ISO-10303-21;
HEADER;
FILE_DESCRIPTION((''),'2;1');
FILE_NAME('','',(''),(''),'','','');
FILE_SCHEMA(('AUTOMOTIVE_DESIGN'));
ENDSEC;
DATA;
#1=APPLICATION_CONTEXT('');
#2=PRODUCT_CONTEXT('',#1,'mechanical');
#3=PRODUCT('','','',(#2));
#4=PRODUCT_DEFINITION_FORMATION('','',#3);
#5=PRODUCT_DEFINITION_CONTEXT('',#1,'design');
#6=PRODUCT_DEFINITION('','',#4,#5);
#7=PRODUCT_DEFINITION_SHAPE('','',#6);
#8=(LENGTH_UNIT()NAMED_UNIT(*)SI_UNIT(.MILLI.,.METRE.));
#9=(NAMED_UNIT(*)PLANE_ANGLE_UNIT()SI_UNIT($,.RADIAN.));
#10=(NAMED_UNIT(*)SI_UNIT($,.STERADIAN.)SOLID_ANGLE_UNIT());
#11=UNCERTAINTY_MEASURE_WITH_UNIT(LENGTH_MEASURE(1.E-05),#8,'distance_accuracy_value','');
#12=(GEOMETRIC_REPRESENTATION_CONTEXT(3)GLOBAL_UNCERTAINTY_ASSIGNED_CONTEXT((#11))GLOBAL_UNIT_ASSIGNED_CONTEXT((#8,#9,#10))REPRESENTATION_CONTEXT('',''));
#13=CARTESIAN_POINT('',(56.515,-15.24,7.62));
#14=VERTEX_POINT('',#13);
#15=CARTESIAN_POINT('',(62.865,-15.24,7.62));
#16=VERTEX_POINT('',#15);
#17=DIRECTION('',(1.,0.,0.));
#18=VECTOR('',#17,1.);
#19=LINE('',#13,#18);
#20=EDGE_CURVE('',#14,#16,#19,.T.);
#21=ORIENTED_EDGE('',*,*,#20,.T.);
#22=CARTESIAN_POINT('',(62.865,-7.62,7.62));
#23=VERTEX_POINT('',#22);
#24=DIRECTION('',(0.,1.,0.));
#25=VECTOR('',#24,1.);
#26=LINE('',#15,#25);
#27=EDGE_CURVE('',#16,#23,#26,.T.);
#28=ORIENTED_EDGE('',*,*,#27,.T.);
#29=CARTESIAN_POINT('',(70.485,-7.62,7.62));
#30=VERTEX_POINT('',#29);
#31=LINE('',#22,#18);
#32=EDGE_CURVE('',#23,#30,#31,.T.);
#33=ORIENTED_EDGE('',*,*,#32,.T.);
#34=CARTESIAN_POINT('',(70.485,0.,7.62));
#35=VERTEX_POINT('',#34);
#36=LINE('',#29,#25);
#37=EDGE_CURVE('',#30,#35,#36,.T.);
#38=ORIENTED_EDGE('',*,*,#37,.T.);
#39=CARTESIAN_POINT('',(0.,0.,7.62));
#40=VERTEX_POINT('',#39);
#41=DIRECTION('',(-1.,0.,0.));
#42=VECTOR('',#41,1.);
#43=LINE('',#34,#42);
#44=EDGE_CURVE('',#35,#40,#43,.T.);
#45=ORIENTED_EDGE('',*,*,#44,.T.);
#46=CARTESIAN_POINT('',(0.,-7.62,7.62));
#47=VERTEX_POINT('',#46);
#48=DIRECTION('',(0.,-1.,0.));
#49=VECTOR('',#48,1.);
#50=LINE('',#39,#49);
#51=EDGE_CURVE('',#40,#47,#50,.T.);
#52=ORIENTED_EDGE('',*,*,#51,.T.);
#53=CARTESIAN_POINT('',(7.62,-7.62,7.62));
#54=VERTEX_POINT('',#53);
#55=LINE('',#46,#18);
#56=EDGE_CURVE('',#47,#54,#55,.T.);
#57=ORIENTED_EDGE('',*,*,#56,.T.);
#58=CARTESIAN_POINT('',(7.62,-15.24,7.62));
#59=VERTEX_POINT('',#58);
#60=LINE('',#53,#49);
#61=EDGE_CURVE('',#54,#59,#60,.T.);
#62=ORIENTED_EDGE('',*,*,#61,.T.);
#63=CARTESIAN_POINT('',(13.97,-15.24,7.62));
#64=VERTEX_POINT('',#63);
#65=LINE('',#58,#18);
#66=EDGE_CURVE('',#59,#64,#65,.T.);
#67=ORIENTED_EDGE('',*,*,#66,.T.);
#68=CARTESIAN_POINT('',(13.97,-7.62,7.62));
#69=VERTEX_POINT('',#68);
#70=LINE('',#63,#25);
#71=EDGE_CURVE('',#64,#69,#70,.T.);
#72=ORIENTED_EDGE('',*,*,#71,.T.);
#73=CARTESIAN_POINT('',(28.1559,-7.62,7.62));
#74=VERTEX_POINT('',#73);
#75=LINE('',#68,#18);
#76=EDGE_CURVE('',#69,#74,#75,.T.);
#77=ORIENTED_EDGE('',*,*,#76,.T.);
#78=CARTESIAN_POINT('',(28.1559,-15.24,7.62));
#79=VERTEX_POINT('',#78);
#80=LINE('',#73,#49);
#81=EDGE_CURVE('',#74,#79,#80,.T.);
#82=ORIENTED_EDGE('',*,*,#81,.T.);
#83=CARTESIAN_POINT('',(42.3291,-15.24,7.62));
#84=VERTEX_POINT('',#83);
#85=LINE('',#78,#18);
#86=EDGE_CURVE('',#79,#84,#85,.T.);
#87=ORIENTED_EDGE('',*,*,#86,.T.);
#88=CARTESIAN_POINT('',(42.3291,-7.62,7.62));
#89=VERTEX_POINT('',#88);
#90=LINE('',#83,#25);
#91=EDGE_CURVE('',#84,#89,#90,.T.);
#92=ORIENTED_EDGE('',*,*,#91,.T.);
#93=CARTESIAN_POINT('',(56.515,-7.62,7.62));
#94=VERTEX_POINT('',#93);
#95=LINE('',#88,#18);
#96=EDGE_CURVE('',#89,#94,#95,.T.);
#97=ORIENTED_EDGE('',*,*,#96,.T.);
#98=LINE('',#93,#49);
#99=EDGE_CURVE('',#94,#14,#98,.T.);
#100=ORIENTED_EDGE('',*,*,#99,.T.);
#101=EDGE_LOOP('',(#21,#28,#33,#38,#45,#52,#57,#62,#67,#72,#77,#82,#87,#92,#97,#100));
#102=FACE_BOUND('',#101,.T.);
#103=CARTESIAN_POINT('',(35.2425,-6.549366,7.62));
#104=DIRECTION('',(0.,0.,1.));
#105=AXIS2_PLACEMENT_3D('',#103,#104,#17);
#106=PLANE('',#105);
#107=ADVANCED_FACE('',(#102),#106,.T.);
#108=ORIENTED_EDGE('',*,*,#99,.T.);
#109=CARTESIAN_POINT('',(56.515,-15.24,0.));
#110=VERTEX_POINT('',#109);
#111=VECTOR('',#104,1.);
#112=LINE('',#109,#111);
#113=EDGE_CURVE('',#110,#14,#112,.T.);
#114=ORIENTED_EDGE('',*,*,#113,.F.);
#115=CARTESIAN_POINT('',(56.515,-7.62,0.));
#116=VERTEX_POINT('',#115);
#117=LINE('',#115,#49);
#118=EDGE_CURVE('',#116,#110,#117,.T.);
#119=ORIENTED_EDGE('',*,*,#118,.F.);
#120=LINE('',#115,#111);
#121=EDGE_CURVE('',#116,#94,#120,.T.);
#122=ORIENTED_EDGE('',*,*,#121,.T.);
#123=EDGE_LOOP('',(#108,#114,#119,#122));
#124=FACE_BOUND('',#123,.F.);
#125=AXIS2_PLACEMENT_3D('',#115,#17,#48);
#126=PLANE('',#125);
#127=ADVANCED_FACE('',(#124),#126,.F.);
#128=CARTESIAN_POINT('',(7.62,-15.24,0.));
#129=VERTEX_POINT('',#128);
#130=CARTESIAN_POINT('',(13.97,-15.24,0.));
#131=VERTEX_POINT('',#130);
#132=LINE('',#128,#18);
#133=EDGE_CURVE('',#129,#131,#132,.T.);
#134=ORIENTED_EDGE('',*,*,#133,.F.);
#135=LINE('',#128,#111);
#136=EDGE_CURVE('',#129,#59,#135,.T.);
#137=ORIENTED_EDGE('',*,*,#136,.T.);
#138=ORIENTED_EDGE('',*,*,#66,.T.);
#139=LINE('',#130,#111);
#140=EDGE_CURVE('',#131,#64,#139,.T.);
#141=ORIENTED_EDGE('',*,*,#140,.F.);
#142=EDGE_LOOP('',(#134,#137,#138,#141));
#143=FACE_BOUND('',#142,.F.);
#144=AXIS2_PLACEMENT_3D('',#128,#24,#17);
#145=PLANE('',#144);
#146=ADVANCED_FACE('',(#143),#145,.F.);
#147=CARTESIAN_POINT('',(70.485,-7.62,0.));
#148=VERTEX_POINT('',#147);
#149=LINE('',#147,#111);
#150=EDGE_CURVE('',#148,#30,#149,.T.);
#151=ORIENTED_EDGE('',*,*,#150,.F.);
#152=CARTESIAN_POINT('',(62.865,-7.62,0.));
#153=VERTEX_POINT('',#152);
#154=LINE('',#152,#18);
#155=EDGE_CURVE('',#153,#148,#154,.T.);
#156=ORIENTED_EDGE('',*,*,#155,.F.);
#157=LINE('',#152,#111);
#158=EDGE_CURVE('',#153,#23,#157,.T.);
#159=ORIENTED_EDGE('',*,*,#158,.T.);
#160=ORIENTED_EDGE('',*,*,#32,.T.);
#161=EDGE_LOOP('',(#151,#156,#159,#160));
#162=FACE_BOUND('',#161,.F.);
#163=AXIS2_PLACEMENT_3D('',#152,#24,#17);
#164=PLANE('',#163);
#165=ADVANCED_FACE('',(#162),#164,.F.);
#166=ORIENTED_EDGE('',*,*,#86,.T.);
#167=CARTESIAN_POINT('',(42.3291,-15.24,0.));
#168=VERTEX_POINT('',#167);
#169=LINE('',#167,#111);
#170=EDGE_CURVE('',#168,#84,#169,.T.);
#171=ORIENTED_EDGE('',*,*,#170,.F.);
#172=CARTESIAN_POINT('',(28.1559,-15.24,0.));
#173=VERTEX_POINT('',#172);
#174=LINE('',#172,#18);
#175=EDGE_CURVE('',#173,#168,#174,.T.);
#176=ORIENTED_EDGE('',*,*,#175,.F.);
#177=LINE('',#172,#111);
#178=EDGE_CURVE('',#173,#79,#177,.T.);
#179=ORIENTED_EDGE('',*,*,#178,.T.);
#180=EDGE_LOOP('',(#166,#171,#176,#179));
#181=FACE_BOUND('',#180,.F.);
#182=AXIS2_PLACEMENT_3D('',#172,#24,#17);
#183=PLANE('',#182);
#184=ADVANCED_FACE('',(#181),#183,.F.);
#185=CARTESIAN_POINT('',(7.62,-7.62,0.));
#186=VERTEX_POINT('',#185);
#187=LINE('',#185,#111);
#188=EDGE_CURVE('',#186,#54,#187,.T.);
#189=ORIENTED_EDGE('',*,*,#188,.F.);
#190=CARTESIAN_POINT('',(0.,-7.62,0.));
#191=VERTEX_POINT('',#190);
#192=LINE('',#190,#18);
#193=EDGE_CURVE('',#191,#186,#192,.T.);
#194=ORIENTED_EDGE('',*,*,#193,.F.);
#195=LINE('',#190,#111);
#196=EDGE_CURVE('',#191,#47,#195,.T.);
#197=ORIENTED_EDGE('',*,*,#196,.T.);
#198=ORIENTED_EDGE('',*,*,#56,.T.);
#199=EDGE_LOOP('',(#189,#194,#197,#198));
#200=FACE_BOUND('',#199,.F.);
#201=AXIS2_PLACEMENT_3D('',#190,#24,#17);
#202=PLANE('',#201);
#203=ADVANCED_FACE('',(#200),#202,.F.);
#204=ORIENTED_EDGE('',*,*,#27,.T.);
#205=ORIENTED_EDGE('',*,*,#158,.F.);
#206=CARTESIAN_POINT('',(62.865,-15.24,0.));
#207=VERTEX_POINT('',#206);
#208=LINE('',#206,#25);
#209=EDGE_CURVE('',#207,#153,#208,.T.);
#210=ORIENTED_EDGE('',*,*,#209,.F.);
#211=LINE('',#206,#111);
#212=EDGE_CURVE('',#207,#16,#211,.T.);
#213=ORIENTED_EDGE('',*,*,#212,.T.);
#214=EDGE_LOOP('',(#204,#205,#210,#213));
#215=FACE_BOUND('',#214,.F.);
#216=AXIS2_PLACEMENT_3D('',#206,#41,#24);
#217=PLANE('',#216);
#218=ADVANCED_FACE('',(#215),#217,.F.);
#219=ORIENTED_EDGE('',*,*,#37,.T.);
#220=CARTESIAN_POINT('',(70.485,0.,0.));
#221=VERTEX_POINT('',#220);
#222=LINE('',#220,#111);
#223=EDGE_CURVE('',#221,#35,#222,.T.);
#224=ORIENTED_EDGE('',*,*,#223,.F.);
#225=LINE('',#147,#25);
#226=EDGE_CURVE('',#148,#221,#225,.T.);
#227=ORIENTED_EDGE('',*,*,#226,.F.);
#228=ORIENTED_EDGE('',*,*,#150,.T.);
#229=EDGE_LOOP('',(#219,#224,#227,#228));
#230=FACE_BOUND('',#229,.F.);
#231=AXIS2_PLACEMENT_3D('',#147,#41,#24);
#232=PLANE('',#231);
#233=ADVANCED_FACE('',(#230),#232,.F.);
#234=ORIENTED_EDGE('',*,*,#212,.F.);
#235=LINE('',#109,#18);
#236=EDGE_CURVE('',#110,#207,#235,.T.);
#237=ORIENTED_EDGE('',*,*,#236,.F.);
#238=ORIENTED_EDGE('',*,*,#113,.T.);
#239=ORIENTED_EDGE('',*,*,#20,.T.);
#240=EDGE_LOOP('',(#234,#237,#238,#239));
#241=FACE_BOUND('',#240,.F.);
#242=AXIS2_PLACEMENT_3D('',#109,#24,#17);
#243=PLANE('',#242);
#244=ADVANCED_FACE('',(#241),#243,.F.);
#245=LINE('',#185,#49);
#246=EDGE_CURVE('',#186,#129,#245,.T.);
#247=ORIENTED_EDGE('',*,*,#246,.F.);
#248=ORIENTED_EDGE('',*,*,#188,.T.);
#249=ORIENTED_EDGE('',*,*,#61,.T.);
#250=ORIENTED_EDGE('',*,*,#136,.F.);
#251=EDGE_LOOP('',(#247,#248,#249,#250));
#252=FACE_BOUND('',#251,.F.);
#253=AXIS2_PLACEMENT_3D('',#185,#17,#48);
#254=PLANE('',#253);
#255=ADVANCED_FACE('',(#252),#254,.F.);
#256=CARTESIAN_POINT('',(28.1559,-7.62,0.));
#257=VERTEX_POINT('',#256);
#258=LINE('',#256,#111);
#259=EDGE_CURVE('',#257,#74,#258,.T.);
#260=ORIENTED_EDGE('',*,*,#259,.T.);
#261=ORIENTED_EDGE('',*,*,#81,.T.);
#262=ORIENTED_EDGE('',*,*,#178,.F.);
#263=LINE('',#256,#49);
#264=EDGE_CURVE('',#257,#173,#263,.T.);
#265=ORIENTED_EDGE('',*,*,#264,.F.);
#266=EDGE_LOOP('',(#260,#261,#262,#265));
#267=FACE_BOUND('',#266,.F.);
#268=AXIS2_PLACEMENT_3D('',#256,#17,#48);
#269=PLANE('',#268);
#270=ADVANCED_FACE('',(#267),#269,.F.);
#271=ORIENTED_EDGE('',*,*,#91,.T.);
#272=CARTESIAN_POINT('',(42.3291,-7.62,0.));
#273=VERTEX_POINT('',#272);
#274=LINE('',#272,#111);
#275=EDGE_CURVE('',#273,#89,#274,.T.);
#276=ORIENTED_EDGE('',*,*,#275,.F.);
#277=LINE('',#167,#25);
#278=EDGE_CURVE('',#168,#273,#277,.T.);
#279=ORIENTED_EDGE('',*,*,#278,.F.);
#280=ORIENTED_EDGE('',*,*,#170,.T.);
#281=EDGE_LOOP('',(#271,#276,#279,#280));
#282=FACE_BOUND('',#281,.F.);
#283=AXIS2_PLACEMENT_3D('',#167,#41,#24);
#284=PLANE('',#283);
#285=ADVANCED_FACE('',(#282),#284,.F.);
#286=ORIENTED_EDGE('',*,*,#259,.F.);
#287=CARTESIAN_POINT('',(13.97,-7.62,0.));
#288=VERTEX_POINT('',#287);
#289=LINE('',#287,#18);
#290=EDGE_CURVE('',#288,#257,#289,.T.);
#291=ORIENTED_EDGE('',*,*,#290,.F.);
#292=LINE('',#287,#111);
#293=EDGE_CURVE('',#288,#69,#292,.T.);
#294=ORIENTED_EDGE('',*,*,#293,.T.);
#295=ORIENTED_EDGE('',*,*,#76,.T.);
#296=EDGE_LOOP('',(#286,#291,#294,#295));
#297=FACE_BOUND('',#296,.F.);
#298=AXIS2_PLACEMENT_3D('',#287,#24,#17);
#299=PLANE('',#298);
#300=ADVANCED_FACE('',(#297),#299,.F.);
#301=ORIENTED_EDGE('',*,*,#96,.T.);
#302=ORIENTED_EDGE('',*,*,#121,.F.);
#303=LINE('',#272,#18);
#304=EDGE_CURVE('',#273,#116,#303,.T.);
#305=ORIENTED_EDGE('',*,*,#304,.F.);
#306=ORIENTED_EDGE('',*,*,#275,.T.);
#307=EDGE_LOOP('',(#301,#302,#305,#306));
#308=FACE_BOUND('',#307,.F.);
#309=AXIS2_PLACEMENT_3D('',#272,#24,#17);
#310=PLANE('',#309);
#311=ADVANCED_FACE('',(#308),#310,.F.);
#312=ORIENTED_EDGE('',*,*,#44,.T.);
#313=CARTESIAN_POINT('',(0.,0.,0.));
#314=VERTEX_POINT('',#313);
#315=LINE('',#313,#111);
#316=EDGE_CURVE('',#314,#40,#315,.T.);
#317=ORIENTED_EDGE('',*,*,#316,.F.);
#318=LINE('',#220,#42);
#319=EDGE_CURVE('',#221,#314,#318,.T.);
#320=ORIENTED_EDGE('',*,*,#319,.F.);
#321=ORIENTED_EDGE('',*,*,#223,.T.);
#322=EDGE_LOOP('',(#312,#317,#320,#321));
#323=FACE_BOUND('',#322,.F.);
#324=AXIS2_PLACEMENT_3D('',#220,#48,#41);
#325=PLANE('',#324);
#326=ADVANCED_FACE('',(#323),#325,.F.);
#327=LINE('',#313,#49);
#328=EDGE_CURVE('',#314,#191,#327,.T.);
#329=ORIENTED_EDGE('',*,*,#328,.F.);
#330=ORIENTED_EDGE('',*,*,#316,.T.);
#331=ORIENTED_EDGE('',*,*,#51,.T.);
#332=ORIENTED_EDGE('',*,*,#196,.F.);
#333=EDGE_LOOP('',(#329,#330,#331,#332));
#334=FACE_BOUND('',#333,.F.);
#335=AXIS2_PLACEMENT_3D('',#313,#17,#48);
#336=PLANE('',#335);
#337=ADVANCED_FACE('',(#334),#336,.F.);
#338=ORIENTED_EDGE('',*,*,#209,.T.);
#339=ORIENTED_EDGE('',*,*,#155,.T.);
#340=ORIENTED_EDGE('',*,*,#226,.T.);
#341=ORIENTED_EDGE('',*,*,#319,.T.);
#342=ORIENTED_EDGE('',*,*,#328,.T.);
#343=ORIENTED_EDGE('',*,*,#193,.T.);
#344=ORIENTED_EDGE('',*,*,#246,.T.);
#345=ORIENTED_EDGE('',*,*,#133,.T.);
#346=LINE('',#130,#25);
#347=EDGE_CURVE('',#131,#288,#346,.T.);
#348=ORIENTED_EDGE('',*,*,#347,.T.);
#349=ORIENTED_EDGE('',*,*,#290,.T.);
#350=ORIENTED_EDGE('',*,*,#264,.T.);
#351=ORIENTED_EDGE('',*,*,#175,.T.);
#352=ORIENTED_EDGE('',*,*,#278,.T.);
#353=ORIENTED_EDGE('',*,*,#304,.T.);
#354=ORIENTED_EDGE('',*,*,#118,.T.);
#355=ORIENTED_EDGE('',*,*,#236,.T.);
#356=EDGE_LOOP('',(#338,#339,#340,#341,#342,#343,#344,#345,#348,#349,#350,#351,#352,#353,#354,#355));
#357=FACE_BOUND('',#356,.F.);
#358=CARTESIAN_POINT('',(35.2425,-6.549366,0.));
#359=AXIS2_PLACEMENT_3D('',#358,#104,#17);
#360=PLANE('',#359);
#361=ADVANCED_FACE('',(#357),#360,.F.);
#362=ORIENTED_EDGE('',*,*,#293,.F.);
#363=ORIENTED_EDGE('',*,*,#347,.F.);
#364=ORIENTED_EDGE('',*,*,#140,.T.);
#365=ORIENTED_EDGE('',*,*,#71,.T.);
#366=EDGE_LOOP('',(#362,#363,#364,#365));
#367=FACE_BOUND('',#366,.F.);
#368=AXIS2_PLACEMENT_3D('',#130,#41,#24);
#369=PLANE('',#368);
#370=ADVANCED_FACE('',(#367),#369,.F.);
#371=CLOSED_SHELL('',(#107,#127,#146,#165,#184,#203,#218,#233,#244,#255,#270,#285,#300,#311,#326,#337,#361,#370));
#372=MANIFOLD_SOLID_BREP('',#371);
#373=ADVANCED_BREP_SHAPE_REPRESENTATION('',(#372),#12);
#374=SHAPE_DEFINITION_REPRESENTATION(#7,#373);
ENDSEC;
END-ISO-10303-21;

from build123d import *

# Parameters (mm, degrees)
F1_DEPTH = 7.62


with BuildPart() as f1:
    # F0 (on Top) → F1 (new body)
    with BuildSketch(Plane.XY):
        Polygon((70.485, 0), (0, 0), (0, -7.62), (7.62, -7.62), (7.62, -15.24), (13.97, -15.24), (13.97, -7.62), (28.1559, -7.62), (28.1559, -15.24), (42.3291, -15.24), (42.3291, -7.62), (56.515, -7.62), (56.515, -15.24), (62.865, -15.24), (62.865, -7.62), (70.485, -7.62), align=None)
    extrude(amount=F1_DEPTH)


solid = f1.part
